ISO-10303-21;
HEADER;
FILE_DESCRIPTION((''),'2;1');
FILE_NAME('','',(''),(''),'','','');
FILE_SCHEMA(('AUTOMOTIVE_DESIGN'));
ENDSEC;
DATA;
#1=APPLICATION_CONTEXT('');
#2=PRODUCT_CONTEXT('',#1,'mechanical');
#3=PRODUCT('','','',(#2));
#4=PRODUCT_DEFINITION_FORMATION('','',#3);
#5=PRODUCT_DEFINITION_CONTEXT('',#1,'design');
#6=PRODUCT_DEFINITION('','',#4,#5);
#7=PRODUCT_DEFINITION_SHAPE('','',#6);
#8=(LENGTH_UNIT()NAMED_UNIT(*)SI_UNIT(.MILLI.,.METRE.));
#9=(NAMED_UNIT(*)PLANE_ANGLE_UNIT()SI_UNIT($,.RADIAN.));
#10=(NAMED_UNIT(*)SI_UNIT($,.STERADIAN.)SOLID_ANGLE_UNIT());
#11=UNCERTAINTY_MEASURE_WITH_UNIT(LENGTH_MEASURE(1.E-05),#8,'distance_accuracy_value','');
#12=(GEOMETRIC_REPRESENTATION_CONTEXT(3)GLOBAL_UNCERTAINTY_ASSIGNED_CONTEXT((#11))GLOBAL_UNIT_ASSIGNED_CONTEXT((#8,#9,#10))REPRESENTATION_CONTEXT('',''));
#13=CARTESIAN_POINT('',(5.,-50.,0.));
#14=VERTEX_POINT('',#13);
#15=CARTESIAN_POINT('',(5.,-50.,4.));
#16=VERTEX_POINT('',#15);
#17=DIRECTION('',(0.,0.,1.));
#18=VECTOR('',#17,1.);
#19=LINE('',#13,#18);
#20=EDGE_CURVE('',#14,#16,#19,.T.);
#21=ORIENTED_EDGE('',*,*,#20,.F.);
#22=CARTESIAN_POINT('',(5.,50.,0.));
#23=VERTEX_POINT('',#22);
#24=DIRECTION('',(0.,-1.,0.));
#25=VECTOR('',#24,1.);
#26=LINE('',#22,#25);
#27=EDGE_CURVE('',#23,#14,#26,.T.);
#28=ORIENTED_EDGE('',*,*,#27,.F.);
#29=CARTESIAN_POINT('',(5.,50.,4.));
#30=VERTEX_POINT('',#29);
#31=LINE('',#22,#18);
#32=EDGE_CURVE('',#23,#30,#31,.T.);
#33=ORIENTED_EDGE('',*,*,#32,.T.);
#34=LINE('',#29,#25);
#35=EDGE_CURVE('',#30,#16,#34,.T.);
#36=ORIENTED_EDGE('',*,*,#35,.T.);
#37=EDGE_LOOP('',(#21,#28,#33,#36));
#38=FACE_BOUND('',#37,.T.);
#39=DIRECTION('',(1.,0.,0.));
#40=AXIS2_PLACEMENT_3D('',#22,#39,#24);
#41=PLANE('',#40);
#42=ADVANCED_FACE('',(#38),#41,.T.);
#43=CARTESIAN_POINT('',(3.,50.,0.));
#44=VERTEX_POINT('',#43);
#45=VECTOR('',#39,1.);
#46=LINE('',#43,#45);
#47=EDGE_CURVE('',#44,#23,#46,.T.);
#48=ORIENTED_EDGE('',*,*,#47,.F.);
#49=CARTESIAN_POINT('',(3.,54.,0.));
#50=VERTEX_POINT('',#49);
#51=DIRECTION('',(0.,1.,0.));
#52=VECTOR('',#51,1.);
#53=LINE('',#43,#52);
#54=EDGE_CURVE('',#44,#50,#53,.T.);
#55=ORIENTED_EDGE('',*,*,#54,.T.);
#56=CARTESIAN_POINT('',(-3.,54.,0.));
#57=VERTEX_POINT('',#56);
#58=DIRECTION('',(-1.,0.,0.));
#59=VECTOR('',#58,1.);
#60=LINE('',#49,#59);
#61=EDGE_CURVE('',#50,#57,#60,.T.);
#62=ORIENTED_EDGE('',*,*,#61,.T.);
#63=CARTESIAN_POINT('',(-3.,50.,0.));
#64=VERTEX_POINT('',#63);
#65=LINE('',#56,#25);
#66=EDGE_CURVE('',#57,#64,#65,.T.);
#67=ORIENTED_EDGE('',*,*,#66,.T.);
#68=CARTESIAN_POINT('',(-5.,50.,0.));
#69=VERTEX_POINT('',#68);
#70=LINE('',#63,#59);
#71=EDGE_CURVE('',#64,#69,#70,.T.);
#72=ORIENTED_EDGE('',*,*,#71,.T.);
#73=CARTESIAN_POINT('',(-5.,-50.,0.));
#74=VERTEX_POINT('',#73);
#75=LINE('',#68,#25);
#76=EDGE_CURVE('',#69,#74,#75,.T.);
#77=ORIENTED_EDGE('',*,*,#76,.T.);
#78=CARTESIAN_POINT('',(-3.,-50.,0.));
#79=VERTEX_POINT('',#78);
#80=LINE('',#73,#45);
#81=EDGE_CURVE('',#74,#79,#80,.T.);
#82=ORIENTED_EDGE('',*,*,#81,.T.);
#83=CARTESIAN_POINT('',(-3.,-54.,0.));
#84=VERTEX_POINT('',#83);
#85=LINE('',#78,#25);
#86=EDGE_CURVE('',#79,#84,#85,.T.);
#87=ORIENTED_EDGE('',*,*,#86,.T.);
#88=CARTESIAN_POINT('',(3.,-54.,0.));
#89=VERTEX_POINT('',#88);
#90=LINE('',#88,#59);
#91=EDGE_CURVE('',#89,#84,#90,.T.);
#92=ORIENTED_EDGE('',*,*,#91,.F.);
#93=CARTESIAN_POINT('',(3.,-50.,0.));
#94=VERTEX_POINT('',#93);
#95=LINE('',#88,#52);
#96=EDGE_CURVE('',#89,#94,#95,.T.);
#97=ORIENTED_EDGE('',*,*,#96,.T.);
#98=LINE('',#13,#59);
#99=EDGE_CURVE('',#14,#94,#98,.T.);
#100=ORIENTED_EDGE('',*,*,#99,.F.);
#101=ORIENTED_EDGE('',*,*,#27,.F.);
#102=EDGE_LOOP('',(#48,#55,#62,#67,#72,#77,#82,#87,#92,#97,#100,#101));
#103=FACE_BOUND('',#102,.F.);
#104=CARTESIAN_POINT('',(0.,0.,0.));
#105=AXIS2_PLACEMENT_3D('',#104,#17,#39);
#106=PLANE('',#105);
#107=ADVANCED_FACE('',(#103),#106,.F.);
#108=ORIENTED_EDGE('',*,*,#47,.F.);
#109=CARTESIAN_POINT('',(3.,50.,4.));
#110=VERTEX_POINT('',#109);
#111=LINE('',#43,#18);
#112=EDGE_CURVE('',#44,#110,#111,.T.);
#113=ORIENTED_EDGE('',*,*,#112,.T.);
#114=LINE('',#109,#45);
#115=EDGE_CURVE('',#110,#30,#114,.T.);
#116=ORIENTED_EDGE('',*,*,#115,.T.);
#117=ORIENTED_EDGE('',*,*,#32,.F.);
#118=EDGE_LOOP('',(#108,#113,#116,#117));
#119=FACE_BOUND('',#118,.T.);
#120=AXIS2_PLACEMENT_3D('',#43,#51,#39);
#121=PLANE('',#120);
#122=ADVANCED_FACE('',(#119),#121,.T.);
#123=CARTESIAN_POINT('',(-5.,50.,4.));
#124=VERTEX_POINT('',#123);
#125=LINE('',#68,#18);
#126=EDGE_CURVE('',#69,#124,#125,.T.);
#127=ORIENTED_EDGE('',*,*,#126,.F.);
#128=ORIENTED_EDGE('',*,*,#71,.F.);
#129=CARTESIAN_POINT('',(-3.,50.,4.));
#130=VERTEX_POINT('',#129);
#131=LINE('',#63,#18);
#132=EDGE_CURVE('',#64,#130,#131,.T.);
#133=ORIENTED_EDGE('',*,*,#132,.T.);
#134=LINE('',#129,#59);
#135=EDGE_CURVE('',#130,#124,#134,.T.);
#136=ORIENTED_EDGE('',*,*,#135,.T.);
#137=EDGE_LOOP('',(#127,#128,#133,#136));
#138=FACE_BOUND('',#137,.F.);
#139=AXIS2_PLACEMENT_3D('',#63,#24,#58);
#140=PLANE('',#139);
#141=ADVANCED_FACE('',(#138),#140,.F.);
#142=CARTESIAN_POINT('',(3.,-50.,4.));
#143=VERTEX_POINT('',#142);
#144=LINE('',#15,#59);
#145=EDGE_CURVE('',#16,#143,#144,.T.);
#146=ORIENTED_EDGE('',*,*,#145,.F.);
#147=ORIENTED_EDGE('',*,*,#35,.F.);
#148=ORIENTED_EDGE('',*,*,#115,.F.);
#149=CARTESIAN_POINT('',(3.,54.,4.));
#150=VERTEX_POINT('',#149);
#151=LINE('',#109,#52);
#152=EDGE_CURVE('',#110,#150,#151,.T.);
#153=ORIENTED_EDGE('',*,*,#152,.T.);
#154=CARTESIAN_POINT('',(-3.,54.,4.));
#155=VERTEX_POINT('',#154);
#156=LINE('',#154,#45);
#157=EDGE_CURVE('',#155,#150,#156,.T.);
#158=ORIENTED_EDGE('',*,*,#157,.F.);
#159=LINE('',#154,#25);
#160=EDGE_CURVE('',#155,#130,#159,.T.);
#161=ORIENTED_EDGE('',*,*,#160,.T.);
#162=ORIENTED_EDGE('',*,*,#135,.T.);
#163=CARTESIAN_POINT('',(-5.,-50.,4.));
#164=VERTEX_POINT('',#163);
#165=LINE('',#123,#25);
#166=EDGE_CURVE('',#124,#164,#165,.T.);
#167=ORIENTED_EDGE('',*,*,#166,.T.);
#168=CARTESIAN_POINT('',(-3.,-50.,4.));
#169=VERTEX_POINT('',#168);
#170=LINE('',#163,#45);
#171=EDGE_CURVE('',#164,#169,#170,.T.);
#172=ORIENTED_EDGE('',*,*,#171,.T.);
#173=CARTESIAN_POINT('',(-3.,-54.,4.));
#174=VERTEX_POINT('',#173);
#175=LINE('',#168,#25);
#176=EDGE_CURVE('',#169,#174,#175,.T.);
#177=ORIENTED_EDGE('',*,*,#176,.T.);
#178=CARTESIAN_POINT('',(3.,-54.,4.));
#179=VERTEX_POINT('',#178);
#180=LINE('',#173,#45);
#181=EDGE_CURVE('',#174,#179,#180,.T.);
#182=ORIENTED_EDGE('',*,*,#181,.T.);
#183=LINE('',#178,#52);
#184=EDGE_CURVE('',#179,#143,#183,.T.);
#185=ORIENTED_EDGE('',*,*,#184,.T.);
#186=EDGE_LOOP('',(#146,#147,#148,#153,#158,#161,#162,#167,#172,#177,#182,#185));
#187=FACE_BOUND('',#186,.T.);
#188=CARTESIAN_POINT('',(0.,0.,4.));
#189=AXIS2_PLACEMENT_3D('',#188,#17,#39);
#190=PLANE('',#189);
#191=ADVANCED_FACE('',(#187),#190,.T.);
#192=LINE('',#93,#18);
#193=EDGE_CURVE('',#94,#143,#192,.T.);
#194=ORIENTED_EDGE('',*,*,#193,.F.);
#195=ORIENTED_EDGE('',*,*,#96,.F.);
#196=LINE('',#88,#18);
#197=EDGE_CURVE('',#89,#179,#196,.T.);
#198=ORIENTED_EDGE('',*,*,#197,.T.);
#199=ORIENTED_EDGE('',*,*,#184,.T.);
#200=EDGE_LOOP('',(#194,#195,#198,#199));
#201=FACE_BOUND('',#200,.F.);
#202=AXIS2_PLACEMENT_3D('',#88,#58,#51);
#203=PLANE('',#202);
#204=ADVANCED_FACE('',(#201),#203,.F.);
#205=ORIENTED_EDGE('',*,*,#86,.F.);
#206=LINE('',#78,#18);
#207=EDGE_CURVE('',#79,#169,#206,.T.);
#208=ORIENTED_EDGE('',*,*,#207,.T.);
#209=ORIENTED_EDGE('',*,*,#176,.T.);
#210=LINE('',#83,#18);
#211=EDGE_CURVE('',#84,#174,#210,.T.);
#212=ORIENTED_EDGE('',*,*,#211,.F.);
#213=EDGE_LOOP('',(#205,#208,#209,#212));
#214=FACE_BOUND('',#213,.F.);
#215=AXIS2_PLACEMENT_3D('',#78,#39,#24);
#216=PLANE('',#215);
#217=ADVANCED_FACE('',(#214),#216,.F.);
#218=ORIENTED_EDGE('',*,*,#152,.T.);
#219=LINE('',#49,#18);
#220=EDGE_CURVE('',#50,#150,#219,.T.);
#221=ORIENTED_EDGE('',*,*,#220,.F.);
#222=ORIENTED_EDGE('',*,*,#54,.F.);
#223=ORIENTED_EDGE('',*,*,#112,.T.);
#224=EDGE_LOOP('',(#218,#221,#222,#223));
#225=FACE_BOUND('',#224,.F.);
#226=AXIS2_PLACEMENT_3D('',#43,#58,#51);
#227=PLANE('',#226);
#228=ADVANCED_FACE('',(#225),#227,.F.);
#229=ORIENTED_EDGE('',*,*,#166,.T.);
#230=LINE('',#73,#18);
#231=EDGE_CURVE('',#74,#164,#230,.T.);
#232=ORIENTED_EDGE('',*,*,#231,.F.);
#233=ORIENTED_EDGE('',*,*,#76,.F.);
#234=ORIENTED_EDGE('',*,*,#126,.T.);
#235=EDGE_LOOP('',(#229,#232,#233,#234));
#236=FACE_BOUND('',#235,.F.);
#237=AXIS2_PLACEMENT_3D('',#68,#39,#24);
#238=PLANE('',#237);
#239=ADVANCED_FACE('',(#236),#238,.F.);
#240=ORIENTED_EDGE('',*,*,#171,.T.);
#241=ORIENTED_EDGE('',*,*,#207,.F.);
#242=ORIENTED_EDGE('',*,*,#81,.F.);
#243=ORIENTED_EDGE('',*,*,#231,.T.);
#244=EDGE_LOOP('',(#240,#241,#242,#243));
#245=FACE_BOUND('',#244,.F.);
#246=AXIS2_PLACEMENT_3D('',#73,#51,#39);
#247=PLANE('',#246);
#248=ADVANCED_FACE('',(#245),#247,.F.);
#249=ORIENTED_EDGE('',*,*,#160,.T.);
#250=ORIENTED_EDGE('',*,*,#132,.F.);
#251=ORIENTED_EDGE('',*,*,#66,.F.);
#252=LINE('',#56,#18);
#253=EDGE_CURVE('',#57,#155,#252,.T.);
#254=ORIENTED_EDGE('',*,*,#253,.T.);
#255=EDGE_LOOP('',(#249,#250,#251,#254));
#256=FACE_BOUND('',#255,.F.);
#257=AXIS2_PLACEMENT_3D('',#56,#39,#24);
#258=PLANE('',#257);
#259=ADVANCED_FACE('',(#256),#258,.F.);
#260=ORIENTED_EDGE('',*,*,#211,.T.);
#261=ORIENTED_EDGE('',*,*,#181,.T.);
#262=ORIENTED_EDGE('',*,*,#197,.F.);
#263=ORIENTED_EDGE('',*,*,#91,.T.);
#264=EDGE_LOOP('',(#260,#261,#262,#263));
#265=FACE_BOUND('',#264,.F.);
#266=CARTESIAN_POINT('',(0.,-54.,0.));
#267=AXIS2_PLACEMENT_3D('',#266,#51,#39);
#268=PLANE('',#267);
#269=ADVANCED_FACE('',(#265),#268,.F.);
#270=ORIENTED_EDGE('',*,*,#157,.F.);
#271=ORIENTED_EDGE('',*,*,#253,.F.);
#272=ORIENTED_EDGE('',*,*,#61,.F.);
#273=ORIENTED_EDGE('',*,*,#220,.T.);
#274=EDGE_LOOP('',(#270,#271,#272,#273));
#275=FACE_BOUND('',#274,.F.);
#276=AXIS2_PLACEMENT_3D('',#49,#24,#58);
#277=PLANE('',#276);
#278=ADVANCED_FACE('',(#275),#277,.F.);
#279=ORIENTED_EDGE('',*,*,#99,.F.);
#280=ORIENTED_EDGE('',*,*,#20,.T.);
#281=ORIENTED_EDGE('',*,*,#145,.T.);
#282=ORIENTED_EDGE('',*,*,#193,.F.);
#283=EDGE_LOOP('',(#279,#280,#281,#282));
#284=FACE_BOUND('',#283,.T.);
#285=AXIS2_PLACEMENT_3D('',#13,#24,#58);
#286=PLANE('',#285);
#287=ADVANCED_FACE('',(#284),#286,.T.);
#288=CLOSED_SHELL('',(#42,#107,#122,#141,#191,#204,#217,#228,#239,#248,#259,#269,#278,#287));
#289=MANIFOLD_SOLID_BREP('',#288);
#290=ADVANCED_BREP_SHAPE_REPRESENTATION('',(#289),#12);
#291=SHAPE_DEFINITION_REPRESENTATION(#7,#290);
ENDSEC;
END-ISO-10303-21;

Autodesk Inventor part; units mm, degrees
ref_plane "YZ Plane" through (0, 0, 0) normal (1, 0, 0) x (0, 1, 0)
ref_plane "XZ Plane" through (0, 0, 0) normal (0, 1, 0) x (-1, 0, 0)
ref_plane "XY Plane" through (0, 0, 0) normal (0, 0, 1) x (1, 0, 0)
sketch "Sketch1" plane through (0, 0, 0) normal (0, 0, 1) x (1, 0, 0)
  line L0 (3, 54) -> (-3, 54)
  line L1 (-3, 54) -> (-3, 50)
  line L2 (-3, -54) -> (3, -54)
  line L3 (3, -54) -> (3, -50)
  line L4 (-3, 50) -> (-5, 50)
  line L5 (-5, 50) -> (-5, -50)
  line L6 (-5, -50) -> (-3, -50)
  line L7 (-3, -50) -> (-3, 50) construction
  line L8 (-3, 50) -> (-3, -50) construction
  line L9 (-3, -50) -> (-3, -54)
  line L10 (0, 54) -> (0, -54)
  line L11 (3, 50) -> (5, 50)
  line L12 (5, 50) -> (5, -50)
  line L13 (5, -50) -> (3, -50)
  line L14 (3, 50) -> (3, 54)
  line L15 (3, -50) -> (3, 50) construction
  point P0 (0, 0)
  point P1 (-4, -50)
  point P2 (0, 0)
  point P3 (0, 0)
  dimension "d0" = 6
  dimension "d1" = 108
  dimension "d2" = 4
  dimension "d3" = 4
  dimension "d4" = 2
extrude "Extrusion1" add sketch "Sketch1" along normal blind 4
properties part number "MagnetHolder" material "Wood (Oak)"
